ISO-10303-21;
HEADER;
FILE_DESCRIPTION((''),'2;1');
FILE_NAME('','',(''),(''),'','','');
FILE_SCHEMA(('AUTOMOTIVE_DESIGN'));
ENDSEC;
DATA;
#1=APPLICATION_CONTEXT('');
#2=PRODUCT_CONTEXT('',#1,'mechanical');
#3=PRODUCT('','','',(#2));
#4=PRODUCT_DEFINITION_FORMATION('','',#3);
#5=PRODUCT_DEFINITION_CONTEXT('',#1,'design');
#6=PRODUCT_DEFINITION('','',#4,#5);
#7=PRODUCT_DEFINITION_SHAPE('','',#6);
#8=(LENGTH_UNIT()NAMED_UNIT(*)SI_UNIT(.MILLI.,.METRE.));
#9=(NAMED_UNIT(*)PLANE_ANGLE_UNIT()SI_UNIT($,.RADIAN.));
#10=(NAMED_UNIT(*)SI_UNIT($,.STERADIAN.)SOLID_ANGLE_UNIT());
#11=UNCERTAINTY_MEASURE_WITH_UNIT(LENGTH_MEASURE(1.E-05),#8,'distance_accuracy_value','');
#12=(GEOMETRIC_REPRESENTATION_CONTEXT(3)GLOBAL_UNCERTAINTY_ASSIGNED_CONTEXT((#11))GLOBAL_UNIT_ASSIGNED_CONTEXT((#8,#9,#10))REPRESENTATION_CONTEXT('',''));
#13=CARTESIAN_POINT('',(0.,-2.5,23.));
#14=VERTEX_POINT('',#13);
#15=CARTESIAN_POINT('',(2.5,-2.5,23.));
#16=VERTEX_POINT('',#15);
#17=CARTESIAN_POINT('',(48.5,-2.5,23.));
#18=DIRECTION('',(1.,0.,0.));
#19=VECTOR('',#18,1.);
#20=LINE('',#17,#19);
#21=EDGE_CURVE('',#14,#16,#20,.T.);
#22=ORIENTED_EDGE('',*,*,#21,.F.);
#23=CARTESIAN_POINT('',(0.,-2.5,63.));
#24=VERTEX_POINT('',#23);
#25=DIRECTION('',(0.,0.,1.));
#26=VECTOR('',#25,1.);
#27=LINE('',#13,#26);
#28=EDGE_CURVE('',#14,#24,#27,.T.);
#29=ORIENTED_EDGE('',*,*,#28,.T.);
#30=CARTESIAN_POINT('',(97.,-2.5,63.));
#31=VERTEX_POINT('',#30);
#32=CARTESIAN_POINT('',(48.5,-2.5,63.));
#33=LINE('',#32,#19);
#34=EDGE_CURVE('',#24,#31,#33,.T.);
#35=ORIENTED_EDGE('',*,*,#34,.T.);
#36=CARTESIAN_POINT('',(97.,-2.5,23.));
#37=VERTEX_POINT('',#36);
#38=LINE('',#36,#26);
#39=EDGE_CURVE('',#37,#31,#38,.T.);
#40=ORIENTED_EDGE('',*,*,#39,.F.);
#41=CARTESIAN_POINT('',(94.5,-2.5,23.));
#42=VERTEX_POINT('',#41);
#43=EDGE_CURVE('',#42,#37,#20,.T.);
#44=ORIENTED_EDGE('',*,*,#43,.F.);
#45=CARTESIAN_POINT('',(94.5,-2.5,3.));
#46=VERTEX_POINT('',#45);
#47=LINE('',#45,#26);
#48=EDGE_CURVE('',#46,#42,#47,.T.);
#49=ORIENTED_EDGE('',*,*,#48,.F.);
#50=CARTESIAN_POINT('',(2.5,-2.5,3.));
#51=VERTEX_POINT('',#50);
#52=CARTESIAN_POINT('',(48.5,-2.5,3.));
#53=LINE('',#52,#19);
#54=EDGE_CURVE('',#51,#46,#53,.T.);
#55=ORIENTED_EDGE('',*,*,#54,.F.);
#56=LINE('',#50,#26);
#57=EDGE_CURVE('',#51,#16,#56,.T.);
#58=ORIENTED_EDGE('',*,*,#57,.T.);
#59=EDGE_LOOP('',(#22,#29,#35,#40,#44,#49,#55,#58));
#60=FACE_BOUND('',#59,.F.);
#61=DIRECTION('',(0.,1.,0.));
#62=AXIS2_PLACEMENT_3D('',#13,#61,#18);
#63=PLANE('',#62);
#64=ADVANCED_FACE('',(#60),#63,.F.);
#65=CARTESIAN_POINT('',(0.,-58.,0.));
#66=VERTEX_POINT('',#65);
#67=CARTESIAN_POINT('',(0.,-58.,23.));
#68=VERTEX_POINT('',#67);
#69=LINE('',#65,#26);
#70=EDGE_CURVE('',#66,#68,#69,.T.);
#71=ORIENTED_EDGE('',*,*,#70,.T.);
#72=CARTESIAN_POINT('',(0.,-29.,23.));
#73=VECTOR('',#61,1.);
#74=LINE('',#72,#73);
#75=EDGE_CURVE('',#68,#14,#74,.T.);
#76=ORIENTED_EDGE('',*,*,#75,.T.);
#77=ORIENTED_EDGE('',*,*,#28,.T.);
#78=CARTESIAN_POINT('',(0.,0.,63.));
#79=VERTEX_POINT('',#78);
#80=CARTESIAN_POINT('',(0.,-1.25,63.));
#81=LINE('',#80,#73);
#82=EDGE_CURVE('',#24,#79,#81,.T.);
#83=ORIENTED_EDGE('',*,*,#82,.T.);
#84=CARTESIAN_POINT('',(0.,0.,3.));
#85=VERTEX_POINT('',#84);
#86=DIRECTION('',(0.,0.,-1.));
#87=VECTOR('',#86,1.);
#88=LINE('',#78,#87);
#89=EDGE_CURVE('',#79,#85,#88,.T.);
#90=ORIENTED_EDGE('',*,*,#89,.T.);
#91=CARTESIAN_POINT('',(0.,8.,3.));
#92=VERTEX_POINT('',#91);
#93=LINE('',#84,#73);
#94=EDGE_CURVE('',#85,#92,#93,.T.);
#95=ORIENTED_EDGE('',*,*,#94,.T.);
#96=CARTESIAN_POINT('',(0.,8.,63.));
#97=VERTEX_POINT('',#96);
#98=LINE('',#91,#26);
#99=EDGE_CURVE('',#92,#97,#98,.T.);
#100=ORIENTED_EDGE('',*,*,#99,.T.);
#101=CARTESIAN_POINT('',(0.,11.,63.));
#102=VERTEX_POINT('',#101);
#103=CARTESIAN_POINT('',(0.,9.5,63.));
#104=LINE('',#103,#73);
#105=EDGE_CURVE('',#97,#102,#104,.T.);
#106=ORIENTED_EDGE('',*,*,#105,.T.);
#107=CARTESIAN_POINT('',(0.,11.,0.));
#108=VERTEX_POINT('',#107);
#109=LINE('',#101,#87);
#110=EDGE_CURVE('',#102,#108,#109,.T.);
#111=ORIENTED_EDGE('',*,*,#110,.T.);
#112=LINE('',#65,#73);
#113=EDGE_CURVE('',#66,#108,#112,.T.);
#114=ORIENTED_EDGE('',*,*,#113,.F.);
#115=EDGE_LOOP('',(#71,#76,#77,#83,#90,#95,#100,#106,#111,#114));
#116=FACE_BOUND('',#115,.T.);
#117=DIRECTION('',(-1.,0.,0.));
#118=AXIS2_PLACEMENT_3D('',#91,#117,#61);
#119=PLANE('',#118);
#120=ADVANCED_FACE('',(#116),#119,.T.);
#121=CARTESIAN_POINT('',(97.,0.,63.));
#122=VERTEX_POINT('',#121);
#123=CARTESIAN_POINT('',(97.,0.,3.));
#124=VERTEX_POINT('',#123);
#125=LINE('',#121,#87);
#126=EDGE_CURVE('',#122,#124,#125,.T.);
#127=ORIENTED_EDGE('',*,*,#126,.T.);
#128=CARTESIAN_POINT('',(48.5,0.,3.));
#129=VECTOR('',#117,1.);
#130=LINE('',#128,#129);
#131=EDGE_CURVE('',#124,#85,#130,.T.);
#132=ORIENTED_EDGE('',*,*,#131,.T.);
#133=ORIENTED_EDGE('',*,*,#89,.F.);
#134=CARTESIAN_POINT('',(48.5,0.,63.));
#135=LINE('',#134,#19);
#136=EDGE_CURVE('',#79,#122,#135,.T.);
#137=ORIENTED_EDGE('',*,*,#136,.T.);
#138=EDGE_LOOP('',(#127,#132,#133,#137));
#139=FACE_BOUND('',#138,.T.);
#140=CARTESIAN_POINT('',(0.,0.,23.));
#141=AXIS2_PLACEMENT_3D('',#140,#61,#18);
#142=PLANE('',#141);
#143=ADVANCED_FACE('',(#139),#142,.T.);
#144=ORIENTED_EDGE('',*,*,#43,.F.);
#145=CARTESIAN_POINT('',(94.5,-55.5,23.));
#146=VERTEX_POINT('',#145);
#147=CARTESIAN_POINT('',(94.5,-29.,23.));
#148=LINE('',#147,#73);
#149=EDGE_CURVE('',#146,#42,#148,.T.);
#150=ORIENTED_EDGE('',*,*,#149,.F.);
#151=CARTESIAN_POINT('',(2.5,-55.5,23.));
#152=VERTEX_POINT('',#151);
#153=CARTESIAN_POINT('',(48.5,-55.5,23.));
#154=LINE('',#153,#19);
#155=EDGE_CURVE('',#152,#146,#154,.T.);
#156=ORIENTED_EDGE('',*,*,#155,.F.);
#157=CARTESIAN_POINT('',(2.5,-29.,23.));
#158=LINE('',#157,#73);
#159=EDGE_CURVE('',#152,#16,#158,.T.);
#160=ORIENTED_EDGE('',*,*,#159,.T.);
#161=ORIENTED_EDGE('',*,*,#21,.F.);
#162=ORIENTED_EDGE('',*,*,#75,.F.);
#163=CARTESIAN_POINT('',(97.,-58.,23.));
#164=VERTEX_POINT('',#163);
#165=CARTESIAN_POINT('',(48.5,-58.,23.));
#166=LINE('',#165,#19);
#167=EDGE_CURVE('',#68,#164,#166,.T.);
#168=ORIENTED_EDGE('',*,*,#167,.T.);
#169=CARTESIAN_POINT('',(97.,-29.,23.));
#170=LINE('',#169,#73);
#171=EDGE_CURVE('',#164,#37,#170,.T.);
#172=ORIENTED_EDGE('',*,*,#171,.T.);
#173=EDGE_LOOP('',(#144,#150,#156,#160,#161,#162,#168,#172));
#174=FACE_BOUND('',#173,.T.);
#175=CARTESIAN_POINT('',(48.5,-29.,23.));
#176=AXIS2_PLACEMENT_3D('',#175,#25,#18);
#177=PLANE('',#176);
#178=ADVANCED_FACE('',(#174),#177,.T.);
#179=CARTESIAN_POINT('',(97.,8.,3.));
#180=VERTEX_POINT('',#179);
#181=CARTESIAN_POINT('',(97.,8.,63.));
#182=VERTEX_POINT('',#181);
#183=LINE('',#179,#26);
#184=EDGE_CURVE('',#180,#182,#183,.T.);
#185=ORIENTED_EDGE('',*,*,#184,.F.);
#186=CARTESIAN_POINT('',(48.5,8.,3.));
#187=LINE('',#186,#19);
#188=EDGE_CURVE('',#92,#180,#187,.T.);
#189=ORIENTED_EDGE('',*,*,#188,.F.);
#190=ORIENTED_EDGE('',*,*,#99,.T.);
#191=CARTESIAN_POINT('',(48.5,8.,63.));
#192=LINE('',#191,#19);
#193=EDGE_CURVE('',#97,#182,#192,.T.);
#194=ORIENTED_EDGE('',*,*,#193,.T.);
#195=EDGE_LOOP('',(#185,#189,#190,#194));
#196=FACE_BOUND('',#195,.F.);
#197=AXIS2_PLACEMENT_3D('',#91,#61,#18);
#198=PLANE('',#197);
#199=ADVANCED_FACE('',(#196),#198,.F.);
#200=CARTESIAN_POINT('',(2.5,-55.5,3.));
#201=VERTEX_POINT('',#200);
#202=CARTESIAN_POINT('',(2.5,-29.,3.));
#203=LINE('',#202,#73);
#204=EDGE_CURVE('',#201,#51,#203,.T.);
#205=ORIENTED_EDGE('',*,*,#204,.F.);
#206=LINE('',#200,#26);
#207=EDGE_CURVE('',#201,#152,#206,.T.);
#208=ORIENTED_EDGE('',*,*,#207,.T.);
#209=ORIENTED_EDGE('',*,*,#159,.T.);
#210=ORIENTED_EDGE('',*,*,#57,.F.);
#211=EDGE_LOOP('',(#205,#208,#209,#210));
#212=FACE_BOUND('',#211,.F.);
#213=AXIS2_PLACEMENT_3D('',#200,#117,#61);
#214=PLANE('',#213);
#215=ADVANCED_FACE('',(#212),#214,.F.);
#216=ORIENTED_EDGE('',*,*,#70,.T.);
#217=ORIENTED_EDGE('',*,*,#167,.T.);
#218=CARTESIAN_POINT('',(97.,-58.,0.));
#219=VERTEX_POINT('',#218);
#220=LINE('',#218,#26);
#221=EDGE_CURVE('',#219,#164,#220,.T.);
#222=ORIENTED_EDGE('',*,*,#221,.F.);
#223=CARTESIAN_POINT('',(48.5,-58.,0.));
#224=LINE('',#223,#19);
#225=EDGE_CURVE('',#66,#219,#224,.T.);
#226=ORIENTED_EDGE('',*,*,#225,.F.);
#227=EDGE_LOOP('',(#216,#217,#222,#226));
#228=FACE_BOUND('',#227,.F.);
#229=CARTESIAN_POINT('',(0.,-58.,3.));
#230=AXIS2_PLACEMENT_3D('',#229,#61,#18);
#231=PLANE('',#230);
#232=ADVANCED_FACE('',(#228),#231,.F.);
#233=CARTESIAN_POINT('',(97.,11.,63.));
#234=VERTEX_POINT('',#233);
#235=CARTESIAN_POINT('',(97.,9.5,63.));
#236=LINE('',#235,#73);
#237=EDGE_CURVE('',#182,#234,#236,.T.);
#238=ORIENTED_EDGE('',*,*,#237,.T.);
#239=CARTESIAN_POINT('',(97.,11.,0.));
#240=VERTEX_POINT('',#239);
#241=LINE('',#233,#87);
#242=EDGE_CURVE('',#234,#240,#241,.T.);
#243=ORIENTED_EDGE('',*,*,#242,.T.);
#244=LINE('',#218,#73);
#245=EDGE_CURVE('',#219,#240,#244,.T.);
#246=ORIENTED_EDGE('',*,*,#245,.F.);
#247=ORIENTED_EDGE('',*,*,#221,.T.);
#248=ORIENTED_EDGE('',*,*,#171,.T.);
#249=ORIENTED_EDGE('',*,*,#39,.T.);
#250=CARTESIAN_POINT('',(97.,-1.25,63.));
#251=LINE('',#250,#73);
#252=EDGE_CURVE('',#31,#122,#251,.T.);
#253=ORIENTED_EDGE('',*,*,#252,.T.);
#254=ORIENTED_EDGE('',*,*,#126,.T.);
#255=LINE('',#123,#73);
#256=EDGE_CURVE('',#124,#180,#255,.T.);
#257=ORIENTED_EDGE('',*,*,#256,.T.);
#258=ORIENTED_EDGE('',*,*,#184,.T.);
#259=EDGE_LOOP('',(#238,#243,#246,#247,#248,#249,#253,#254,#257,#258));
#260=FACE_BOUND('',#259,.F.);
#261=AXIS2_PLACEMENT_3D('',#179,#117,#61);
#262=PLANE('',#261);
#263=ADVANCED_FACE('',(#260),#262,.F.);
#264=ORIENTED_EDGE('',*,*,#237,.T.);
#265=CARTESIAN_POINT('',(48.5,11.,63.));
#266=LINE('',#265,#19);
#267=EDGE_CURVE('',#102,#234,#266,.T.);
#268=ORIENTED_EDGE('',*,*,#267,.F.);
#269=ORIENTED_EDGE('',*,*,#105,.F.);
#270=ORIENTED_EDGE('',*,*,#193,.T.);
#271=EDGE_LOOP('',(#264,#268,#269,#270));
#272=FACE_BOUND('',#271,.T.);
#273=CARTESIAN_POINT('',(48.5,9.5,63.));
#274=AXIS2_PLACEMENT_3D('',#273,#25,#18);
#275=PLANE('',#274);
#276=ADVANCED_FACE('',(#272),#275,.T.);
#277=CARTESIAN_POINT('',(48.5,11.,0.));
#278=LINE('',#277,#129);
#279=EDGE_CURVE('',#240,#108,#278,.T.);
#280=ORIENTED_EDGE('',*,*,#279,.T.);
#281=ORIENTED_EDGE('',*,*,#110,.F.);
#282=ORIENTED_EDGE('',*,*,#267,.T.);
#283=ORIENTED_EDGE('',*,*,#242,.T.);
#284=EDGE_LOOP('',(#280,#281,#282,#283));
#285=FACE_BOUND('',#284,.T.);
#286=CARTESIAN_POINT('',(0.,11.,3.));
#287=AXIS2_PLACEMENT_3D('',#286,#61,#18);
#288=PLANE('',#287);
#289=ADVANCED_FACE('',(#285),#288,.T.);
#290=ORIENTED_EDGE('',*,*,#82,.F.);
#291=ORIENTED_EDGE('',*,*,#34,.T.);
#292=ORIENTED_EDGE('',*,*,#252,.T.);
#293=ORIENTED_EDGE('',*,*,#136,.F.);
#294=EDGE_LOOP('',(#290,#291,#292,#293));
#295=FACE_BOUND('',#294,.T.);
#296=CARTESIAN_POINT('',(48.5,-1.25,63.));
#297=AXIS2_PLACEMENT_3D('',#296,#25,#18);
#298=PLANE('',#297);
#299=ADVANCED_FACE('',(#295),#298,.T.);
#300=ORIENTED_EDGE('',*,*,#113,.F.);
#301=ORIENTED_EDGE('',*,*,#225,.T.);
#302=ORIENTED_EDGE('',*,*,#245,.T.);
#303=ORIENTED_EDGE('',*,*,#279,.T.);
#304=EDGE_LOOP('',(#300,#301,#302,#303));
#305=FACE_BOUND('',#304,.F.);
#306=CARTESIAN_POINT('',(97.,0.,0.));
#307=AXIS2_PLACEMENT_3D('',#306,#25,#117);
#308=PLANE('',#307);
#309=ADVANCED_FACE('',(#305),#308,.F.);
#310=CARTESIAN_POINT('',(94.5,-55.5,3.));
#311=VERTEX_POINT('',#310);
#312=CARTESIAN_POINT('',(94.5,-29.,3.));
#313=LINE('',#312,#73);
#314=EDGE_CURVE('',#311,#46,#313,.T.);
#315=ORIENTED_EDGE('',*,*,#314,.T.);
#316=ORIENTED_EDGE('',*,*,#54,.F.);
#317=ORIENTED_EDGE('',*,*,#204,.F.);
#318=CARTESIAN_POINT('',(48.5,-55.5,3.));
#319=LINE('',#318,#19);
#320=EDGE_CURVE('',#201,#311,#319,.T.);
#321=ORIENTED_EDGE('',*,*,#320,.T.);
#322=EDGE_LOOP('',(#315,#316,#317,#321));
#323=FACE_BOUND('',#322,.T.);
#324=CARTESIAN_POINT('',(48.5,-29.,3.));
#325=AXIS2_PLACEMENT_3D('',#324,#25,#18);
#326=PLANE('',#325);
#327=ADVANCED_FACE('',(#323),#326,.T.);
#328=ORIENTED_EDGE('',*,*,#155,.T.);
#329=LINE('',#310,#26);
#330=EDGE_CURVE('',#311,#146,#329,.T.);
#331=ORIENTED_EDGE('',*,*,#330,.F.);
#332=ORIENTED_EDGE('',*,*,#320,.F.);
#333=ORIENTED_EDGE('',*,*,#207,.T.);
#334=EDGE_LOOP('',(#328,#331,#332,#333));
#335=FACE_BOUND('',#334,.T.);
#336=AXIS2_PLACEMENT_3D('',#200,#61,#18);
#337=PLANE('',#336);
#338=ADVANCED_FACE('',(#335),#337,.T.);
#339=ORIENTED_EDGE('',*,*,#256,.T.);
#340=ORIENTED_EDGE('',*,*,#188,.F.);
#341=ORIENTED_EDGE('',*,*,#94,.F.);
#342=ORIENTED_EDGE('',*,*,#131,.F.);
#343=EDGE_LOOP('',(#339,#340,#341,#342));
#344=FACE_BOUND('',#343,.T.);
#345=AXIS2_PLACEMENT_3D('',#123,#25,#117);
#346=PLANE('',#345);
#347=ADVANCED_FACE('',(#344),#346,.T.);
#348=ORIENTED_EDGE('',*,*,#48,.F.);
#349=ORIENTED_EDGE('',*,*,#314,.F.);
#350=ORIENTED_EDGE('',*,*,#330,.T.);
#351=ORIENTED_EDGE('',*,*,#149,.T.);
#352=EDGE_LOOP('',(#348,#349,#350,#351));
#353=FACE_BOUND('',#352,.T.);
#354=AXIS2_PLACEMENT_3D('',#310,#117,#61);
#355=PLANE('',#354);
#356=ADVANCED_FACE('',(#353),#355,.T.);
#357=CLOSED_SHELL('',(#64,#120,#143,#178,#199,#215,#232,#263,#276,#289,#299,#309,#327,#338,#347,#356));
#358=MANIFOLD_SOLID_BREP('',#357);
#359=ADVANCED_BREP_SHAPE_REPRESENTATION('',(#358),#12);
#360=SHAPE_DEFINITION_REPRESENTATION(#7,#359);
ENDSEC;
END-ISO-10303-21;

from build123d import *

# Parameters (mm, degrees)
F0_W     = 97
F0_H     = 58
F1_DEPTH = 3
F2_W     = 97
F2_H     = 58
F2_W_2   = 92
F2_H_2   = 53
F3_DEPTH = 20
F4_W     = 97
F4_H     = 3
F5_DEPTH = 11
F6_W     = 97
F6_H     = 2.5
F7_DEPTH = 40
F8_W     = 97
F8_H     = 3
F9_DEPTH = 60


with BuildPart() as f1:
    # F0 (on Top) → F1 (new body)
    with BuildSketch(Plane.XY):
        with Locations((48.5, -29)):
            Rectangle(F0_W, F0_H)
    extrude(amount=F1_DEPTH)

    # F2 (on face) → F3 (join)
    with BuildSketch(Plane.XY.offset(3)):
        with Locations((48.5, -29)):
            Rectangle(F2_W, F2_H)
        with Locations((48.5, -29)):
            Rectangle(F2_W_2, F2_H_2, mode=Mode.SUBTRACT)
    extrude(amount=F3_DEPTH)

    # F4 (on face) → F5 (join)
    with BuildSketch(Plane(origin=(0, 0, 0), x_dir=(-1, 0, 0), z_dir=(0, 1, 0))):
        with Locations((-48.5, 1.5)):
            Rectangle(F4_W, F4_H)
    extrude(amount=F5_DEPTH)

    # F6 (on face) → F7 (join)
    with BuildSketch(Plane.XY.offset(23)):
        with Locations((48.5, -1.25)):
            Rectangle(F6_W, F6_H)
    extrude(amount=F7_DEPTH)

    # F8 (on face) → F9 (join, through all)
    with BuildSketch(Plane.XY.offset(3)):
        with Locations((48.5, 9.5)):
            Rectangle(F8_W, F8_H)
    extrude(amount=F9_DEPTH)


solid = f1.part
